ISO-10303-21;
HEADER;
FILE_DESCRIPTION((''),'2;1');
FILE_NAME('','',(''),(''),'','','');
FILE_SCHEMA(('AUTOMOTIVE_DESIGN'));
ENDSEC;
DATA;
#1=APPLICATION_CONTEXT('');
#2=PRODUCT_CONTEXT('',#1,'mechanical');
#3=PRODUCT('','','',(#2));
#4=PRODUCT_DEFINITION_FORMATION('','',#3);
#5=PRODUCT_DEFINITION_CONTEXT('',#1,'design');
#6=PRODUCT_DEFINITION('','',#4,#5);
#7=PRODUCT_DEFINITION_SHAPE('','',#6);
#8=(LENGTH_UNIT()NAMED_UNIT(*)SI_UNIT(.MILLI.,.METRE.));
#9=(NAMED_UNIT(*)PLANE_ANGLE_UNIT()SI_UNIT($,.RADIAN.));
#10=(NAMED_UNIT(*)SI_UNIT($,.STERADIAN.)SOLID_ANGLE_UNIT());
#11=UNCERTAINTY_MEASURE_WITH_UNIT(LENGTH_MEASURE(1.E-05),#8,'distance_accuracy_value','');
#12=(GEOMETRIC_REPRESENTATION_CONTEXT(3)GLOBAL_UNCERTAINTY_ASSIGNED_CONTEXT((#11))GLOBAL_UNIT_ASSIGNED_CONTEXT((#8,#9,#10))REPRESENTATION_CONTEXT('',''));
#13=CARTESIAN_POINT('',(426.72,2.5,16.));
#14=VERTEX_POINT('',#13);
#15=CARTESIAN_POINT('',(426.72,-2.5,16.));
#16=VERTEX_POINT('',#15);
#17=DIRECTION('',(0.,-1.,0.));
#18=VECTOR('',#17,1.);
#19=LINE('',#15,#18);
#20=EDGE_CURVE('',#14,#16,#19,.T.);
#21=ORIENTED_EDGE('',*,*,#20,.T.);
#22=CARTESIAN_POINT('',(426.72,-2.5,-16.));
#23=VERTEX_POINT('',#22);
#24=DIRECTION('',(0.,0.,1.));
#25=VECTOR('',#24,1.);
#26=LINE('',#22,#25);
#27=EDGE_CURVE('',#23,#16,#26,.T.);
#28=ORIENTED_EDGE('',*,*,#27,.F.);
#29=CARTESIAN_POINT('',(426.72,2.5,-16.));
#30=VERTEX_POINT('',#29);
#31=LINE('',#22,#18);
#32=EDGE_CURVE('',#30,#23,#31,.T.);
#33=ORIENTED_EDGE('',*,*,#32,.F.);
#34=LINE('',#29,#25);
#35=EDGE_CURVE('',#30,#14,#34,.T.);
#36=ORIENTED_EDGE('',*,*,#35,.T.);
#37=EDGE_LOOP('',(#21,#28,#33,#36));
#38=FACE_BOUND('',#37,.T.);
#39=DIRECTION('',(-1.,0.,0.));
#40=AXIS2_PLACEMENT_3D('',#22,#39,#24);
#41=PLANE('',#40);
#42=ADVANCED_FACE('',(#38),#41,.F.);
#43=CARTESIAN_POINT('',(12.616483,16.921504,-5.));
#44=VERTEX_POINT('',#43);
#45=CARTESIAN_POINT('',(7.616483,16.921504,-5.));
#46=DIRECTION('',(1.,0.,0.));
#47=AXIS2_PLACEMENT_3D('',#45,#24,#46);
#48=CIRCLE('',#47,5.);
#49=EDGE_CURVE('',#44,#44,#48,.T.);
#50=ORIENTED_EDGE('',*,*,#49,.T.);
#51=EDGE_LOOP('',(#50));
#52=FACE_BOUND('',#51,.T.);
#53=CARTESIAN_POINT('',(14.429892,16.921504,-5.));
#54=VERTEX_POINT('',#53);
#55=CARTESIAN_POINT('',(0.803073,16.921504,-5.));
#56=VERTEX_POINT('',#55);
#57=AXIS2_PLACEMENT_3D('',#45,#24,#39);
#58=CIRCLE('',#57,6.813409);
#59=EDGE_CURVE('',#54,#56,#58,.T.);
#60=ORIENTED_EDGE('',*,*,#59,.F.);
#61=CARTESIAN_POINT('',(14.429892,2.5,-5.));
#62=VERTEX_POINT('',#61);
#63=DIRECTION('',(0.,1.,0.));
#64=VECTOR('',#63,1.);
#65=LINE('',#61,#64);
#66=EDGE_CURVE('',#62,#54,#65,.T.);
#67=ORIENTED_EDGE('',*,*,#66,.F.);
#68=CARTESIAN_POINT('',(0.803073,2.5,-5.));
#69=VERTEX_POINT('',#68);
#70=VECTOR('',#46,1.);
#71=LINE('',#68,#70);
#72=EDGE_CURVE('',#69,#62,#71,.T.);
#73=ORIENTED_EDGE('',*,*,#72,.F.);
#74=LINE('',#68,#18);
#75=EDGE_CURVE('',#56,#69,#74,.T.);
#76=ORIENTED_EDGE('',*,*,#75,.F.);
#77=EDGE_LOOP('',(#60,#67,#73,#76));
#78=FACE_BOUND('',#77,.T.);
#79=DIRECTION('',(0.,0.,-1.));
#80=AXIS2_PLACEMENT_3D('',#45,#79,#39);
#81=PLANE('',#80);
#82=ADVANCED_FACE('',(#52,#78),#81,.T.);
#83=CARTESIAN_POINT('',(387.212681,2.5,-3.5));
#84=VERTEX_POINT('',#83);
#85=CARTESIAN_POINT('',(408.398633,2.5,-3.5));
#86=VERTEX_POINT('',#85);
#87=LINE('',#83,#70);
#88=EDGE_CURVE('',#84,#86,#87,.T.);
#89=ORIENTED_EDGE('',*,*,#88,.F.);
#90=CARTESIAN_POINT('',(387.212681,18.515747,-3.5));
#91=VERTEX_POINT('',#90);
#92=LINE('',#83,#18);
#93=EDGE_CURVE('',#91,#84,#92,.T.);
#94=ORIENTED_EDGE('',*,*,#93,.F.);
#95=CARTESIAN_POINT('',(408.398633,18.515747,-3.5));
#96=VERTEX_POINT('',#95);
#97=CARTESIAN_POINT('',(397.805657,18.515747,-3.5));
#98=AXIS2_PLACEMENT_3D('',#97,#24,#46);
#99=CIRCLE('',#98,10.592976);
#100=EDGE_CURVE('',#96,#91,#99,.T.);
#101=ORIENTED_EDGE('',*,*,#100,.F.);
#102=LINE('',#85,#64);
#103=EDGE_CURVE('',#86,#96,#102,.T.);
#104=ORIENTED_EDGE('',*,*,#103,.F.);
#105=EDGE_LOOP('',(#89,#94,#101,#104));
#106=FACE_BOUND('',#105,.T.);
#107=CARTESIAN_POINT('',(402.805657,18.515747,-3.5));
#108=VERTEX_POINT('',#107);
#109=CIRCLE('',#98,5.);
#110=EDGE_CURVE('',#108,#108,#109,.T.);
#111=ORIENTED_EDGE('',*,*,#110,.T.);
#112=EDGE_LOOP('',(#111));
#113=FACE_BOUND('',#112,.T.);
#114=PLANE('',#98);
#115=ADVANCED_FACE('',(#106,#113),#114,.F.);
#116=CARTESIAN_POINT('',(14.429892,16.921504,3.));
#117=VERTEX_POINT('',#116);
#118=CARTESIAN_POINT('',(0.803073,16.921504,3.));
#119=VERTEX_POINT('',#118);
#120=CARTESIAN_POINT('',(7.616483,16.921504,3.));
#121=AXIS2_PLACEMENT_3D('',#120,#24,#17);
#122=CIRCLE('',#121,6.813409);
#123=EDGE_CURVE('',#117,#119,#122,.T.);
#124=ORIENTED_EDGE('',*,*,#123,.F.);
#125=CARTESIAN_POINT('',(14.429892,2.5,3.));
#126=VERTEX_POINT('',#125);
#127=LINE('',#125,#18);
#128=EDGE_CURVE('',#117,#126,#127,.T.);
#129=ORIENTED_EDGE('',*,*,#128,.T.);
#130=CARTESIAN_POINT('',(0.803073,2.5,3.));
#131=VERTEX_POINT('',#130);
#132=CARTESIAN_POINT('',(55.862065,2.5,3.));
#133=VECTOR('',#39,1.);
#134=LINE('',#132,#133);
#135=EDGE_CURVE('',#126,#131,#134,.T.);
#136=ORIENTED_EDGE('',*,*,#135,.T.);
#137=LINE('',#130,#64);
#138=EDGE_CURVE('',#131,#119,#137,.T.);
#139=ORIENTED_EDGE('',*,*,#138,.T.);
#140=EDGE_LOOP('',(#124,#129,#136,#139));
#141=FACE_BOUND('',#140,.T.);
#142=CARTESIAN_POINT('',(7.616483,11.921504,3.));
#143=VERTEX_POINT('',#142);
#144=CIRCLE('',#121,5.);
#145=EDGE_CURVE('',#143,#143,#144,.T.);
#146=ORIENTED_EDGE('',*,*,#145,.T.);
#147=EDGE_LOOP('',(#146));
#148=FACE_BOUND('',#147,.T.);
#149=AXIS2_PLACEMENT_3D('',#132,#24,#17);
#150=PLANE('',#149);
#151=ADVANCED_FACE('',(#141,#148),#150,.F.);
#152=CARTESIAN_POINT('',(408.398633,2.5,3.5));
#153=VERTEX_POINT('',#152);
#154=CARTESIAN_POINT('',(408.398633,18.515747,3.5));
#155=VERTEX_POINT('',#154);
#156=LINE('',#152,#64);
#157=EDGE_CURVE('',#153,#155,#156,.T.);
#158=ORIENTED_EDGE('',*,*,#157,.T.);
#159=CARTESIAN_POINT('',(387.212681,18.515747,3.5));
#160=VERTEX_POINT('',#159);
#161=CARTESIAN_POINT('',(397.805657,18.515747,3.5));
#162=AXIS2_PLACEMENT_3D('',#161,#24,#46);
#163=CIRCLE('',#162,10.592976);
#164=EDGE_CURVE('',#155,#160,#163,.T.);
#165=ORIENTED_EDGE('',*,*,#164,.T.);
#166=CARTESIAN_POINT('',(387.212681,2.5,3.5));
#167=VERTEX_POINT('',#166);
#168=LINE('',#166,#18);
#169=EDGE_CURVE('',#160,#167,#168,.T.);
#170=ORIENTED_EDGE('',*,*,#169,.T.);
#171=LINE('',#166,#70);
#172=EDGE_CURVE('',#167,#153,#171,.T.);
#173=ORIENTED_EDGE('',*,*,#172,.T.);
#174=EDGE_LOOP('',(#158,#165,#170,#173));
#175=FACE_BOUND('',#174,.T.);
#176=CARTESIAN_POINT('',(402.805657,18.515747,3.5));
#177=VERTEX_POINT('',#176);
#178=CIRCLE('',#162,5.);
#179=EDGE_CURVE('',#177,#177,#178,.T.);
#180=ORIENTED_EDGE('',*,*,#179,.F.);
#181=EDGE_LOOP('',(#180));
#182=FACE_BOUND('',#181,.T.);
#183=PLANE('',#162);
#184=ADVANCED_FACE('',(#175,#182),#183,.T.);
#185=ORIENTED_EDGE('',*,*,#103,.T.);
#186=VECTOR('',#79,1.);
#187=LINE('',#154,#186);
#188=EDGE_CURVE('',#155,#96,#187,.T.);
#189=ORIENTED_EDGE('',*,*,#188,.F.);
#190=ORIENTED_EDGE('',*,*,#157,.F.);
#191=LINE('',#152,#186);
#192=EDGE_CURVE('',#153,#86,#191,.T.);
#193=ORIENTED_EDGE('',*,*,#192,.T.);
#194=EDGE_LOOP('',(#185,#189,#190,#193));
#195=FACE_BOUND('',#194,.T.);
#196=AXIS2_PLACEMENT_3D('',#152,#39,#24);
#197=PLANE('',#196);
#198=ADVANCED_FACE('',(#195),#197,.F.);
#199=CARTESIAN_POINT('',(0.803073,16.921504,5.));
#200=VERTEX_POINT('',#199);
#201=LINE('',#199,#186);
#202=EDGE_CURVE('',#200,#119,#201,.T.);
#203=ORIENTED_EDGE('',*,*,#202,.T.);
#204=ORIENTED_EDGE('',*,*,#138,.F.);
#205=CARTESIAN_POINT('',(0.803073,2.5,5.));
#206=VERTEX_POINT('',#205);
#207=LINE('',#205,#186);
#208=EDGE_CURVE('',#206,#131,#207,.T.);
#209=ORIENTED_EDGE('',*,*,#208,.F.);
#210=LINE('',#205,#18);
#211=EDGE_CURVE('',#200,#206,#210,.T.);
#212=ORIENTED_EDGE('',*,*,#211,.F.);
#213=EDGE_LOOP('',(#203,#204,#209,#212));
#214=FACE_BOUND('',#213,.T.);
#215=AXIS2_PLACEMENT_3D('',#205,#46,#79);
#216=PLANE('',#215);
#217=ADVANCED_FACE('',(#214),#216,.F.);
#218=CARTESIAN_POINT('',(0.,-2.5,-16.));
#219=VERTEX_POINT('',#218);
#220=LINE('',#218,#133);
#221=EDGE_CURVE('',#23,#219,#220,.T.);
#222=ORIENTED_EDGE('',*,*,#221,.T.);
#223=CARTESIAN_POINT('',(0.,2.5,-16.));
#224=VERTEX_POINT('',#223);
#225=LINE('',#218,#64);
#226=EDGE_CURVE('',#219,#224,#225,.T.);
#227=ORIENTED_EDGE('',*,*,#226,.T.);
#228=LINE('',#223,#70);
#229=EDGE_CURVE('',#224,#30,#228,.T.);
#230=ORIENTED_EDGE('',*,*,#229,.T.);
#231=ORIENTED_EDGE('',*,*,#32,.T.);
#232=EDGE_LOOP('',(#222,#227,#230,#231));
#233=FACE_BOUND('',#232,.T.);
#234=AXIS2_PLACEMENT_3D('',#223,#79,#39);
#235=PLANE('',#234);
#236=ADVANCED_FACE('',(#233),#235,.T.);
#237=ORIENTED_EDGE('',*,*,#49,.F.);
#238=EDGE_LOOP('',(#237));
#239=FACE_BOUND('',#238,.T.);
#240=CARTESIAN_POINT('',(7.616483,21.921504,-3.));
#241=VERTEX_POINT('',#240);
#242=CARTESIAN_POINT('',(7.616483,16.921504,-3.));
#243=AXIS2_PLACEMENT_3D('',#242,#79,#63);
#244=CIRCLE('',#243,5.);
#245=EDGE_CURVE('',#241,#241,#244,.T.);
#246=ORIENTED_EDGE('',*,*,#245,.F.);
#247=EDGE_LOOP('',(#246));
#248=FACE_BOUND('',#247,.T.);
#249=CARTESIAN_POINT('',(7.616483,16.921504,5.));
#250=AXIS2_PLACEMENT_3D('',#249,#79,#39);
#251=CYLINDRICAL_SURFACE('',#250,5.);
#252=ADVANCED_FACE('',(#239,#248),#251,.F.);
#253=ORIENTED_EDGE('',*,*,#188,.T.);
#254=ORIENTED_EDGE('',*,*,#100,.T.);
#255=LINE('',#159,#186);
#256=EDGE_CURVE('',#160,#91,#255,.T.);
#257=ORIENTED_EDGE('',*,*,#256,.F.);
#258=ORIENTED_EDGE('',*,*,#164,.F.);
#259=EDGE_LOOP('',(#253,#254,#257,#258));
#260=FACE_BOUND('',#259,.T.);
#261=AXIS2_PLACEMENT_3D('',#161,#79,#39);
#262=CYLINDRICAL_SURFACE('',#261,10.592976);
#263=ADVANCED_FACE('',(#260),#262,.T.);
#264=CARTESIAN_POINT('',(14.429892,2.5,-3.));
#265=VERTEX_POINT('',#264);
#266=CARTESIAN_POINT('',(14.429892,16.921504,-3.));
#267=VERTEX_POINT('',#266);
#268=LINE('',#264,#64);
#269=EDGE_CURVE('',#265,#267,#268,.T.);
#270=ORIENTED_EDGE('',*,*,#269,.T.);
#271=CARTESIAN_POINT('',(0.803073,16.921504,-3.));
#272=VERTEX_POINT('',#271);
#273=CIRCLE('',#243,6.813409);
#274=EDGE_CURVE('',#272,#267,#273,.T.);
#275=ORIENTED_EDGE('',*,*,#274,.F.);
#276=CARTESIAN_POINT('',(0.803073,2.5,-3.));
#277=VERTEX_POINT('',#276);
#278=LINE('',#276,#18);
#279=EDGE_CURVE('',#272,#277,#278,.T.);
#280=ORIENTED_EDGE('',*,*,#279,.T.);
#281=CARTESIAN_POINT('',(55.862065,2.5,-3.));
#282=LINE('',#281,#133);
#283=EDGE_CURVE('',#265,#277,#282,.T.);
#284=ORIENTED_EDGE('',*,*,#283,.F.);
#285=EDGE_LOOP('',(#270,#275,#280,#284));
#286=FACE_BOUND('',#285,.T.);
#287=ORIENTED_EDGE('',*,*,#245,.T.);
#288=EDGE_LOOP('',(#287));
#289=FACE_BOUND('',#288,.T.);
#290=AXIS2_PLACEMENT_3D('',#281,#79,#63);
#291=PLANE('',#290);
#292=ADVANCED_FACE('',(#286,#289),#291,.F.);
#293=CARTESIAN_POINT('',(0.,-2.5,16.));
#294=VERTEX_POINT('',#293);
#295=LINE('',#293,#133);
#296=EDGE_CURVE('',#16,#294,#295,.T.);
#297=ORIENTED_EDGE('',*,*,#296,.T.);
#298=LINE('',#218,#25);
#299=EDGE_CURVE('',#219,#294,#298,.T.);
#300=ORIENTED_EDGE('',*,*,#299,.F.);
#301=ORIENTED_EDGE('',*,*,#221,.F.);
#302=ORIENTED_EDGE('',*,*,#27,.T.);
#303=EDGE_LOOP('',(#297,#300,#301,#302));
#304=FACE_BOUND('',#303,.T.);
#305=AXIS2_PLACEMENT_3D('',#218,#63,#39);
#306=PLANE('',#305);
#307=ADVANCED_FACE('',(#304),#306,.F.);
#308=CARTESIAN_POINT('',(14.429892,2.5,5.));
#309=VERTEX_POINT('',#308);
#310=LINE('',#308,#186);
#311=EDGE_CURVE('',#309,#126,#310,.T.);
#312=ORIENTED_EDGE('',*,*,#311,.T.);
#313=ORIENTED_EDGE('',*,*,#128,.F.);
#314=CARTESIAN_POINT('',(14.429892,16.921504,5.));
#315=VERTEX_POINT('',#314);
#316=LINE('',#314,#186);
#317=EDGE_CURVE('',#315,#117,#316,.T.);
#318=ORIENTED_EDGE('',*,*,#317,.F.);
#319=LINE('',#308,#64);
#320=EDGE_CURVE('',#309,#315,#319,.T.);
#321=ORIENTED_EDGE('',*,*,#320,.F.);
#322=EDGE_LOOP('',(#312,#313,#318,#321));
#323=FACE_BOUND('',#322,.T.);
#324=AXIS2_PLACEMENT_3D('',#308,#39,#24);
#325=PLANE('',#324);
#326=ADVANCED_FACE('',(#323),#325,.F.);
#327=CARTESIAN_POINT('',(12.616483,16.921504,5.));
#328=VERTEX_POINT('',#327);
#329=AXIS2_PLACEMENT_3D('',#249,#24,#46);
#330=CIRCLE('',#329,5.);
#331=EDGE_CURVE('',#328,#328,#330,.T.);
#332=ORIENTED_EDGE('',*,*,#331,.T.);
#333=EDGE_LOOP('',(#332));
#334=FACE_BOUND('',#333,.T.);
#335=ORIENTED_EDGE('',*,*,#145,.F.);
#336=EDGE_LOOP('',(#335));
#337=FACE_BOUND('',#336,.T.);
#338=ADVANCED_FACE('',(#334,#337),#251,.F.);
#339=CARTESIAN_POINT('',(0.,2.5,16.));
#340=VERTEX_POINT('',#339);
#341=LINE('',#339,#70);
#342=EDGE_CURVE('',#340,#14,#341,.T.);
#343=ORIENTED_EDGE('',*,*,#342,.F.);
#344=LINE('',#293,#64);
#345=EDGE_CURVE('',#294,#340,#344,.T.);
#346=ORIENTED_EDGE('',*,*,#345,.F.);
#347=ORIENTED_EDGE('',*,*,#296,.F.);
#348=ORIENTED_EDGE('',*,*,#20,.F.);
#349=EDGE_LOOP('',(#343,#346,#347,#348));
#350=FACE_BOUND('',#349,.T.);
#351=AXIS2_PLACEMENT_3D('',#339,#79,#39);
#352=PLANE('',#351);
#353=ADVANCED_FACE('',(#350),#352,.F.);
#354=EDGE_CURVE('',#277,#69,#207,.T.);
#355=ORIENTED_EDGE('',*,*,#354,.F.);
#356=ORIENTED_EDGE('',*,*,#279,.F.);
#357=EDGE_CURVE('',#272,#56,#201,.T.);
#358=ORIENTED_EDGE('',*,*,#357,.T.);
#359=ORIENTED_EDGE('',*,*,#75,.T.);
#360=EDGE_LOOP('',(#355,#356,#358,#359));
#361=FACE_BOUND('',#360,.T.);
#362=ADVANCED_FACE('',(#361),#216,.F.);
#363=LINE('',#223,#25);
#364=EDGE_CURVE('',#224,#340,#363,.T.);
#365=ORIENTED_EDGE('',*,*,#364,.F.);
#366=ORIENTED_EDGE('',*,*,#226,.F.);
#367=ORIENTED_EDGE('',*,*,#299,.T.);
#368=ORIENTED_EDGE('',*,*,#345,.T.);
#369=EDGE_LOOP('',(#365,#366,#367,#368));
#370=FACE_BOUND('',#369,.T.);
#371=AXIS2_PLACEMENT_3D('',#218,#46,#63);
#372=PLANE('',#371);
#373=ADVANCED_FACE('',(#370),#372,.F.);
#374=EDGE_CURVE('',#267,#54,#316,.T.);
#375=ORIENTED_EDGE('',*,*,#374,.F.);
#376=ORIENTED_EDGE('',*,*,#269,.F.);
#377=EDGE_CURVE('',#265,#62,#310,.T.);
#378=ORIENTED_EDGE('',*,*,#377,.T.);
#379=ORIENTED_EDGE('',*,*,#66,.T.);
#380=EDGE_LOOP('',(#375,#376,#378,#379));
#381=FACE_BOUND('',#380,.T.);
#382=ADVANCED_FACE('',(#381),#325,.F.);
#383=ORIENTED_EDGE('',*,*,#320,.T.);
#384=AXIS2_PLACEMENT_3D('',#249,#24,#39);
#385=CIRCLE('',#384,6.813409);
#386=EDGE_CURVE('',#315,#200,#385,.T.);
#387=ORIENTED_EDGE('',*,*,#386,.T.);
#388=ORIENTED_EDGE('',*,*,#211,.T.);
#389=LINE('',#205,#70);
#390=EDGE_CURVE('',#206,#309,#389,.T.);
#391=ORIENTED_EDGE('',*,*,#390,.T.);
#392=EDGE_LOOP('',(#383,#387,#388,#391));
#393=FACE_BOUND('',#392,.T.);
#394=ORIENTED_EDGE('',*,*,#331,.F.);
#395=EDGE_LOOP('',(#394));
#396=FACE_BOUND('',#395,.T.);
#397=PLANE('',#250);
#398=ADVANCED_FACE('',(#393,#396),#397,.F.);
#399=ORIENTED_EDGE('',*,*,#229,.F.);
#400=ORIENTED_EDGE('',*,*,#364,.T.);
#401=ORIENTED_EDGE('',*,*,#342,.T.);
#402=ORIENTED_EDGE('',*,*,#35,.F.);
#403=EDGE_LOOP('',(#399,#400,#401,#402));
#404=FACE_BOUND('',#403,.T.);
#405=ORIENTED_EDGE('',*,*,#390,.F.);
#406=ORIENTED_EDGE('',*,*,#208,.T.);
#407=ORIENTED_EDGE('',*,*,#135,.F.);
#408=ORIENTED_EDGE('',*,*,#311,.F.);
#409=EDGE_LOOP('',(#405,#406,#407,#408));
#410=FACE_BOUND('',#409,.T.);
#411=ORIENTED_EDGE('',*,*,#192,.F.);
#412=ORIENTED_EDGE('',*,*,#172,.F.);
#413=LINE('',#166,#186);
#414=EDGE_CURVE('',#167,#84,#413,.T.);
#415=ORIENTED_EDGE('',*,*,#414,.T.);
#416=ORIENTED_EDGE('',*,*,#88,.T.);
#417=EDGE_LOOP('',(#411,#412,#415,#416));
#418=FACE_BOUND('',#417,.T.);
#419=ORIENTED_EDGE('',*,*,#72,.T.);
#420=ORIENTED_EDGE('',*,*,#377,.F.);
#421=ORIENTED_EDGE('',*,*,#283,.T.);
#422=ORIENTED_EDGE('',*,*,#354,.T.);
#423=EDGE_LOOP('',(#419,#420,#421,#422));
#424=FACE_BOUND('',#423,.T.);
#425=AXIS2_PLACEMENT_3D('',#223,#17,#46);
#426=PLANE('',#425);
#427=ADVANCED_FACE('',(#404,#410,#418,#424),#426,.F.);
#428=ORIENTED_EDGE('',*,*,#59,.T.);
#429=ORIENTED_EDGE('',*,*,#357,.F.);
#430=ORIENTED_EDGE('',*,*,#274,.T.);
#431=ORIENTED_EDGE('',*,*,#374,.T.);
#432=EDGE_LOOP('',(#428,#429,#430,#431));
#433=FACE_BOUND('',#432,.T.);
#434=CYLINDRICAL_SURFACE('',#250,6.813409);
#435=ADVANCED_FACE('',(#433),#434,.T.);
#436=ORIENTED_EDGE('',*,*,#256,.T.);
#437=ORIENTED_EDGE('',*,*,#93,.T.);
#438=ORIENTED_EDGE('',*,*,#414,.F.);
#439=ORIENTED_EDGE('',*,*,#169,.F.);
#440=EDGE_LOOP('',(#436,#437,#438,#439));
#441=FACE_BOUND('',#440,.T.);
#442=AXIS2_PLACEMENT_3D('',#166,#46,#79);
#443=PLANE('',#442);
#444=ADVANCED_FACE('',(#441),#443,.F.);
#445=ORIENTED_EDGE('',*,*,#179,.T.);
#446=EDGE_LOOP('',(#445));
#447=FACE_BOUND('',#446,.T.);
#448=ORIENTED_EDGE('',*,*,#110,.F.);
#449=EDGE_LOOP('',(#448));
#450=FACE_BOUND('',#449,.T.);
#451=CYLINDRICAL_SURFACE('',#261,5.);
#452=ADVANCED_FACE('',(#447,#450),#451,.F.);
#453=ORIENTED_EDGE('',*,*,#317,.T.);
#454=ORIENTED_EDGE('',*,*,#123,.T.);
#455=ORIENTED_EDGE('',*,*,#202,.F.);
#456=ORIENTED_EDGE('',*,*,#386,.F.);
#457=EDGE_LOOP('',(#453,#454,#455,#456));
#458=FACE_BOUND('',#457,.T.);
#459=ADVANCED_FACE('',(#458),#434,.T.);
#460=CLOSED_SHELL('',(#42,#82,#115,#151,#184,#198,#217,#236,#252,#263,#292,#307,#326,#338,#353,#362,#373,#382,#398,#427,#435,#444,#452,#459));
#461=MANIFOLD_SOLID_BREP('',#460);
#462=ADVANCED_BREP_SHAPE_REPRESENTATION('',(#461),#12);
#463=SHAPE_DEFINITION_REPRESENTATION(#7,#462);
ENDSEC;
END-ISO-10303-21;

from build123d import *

# Parameters (mm, degrees)
SKETCH1_W          = 426.72
SKETCH1_H          = 5
EXTRUDE2_DEPTH     = 16
SKETCH2_R          = 5
EXTRUDE3_DEPTH     = 5
SKETCH3_W          = 6
SKETCH3_H          = 40.995425817
CUT_EXTRUDE1_DEPTH = 13.626819
SKETCH4_R          = 5
EXTRUDE4_DEPTH     = 3.5


with BuildPart() as part:
    # Sketch1 → Extrude2 (new body, symmetric)
    with BuildSketch(Plane(origin=(0, 0, 0), x_dir=(1, 0, 0), z_dir=(0, 0, -1))):
        with Locations((213.36, 0)):
            Rectangle(SKETCH1_W, SKETCH1_H)
    extrude(amount=EXTRUDE2_DEPTH, both=True)

    # Sketch2 → Extrude3 (add, symmetric)
    with BuildSketch(Plane.XY):
        with BuildLine():
            Line((0.803073324, 2.5), (0.803073324, 16.921503506))
            ThreePointArc((0.803073324, 16.921503506), (7.616482736, 23.734912918), (14.429892147, 16.921503506))
            Line((14.429892147, 16.921503506), (14.429892147, 2.5))
            Line((14.429892147, 2.5), (0.803073324, 2.5))
        make_face()
        with Locations((7.616482736, 16.921503506)):
            Circle(SKETCH2_R, mode=Mode.SUBTRACT)
    extrude(amount=EXTRUDE3_DEPTH, both=True)

    # Sketch3 → Cut-Extrude1 (cut)
    with BuildSketch(Plane.ZY.offset(-0.803073324)):
        with Locations((0, 22.997712909)):
            Rectangle(SKETCH3_W, SKETCH3_H)
    extrude(amount=-CUT_EXTRUDE1_DEPTH, mode=Mode.SUBTRACT)

    # Sketch4 → Extrude4 (add, symmetric)
    with BuildSketch(Plane.XY):
        with BuildLine():
            Line((408.398633308, 2.5), (408.398633308, 18.51574669))
            ThreePointArc((408.398633308, 18.51574669), (397.805657025, 29.108722972), (387.212680742, 18.51574669))
            Line((387.212680742, 18.51574669), (387.212680742, 2.5))
            Line((387.212680742, 2.5), (408.398633308, 2.5))
        make_face()
        with Locations((397.805657025, 18.51574669)):
            Circle(SKETCH4_R, mode=Mode.SUBTRACT)
    extrude(amount=EXTRUDE4_DEPTH, both=True)


solid = part.part
